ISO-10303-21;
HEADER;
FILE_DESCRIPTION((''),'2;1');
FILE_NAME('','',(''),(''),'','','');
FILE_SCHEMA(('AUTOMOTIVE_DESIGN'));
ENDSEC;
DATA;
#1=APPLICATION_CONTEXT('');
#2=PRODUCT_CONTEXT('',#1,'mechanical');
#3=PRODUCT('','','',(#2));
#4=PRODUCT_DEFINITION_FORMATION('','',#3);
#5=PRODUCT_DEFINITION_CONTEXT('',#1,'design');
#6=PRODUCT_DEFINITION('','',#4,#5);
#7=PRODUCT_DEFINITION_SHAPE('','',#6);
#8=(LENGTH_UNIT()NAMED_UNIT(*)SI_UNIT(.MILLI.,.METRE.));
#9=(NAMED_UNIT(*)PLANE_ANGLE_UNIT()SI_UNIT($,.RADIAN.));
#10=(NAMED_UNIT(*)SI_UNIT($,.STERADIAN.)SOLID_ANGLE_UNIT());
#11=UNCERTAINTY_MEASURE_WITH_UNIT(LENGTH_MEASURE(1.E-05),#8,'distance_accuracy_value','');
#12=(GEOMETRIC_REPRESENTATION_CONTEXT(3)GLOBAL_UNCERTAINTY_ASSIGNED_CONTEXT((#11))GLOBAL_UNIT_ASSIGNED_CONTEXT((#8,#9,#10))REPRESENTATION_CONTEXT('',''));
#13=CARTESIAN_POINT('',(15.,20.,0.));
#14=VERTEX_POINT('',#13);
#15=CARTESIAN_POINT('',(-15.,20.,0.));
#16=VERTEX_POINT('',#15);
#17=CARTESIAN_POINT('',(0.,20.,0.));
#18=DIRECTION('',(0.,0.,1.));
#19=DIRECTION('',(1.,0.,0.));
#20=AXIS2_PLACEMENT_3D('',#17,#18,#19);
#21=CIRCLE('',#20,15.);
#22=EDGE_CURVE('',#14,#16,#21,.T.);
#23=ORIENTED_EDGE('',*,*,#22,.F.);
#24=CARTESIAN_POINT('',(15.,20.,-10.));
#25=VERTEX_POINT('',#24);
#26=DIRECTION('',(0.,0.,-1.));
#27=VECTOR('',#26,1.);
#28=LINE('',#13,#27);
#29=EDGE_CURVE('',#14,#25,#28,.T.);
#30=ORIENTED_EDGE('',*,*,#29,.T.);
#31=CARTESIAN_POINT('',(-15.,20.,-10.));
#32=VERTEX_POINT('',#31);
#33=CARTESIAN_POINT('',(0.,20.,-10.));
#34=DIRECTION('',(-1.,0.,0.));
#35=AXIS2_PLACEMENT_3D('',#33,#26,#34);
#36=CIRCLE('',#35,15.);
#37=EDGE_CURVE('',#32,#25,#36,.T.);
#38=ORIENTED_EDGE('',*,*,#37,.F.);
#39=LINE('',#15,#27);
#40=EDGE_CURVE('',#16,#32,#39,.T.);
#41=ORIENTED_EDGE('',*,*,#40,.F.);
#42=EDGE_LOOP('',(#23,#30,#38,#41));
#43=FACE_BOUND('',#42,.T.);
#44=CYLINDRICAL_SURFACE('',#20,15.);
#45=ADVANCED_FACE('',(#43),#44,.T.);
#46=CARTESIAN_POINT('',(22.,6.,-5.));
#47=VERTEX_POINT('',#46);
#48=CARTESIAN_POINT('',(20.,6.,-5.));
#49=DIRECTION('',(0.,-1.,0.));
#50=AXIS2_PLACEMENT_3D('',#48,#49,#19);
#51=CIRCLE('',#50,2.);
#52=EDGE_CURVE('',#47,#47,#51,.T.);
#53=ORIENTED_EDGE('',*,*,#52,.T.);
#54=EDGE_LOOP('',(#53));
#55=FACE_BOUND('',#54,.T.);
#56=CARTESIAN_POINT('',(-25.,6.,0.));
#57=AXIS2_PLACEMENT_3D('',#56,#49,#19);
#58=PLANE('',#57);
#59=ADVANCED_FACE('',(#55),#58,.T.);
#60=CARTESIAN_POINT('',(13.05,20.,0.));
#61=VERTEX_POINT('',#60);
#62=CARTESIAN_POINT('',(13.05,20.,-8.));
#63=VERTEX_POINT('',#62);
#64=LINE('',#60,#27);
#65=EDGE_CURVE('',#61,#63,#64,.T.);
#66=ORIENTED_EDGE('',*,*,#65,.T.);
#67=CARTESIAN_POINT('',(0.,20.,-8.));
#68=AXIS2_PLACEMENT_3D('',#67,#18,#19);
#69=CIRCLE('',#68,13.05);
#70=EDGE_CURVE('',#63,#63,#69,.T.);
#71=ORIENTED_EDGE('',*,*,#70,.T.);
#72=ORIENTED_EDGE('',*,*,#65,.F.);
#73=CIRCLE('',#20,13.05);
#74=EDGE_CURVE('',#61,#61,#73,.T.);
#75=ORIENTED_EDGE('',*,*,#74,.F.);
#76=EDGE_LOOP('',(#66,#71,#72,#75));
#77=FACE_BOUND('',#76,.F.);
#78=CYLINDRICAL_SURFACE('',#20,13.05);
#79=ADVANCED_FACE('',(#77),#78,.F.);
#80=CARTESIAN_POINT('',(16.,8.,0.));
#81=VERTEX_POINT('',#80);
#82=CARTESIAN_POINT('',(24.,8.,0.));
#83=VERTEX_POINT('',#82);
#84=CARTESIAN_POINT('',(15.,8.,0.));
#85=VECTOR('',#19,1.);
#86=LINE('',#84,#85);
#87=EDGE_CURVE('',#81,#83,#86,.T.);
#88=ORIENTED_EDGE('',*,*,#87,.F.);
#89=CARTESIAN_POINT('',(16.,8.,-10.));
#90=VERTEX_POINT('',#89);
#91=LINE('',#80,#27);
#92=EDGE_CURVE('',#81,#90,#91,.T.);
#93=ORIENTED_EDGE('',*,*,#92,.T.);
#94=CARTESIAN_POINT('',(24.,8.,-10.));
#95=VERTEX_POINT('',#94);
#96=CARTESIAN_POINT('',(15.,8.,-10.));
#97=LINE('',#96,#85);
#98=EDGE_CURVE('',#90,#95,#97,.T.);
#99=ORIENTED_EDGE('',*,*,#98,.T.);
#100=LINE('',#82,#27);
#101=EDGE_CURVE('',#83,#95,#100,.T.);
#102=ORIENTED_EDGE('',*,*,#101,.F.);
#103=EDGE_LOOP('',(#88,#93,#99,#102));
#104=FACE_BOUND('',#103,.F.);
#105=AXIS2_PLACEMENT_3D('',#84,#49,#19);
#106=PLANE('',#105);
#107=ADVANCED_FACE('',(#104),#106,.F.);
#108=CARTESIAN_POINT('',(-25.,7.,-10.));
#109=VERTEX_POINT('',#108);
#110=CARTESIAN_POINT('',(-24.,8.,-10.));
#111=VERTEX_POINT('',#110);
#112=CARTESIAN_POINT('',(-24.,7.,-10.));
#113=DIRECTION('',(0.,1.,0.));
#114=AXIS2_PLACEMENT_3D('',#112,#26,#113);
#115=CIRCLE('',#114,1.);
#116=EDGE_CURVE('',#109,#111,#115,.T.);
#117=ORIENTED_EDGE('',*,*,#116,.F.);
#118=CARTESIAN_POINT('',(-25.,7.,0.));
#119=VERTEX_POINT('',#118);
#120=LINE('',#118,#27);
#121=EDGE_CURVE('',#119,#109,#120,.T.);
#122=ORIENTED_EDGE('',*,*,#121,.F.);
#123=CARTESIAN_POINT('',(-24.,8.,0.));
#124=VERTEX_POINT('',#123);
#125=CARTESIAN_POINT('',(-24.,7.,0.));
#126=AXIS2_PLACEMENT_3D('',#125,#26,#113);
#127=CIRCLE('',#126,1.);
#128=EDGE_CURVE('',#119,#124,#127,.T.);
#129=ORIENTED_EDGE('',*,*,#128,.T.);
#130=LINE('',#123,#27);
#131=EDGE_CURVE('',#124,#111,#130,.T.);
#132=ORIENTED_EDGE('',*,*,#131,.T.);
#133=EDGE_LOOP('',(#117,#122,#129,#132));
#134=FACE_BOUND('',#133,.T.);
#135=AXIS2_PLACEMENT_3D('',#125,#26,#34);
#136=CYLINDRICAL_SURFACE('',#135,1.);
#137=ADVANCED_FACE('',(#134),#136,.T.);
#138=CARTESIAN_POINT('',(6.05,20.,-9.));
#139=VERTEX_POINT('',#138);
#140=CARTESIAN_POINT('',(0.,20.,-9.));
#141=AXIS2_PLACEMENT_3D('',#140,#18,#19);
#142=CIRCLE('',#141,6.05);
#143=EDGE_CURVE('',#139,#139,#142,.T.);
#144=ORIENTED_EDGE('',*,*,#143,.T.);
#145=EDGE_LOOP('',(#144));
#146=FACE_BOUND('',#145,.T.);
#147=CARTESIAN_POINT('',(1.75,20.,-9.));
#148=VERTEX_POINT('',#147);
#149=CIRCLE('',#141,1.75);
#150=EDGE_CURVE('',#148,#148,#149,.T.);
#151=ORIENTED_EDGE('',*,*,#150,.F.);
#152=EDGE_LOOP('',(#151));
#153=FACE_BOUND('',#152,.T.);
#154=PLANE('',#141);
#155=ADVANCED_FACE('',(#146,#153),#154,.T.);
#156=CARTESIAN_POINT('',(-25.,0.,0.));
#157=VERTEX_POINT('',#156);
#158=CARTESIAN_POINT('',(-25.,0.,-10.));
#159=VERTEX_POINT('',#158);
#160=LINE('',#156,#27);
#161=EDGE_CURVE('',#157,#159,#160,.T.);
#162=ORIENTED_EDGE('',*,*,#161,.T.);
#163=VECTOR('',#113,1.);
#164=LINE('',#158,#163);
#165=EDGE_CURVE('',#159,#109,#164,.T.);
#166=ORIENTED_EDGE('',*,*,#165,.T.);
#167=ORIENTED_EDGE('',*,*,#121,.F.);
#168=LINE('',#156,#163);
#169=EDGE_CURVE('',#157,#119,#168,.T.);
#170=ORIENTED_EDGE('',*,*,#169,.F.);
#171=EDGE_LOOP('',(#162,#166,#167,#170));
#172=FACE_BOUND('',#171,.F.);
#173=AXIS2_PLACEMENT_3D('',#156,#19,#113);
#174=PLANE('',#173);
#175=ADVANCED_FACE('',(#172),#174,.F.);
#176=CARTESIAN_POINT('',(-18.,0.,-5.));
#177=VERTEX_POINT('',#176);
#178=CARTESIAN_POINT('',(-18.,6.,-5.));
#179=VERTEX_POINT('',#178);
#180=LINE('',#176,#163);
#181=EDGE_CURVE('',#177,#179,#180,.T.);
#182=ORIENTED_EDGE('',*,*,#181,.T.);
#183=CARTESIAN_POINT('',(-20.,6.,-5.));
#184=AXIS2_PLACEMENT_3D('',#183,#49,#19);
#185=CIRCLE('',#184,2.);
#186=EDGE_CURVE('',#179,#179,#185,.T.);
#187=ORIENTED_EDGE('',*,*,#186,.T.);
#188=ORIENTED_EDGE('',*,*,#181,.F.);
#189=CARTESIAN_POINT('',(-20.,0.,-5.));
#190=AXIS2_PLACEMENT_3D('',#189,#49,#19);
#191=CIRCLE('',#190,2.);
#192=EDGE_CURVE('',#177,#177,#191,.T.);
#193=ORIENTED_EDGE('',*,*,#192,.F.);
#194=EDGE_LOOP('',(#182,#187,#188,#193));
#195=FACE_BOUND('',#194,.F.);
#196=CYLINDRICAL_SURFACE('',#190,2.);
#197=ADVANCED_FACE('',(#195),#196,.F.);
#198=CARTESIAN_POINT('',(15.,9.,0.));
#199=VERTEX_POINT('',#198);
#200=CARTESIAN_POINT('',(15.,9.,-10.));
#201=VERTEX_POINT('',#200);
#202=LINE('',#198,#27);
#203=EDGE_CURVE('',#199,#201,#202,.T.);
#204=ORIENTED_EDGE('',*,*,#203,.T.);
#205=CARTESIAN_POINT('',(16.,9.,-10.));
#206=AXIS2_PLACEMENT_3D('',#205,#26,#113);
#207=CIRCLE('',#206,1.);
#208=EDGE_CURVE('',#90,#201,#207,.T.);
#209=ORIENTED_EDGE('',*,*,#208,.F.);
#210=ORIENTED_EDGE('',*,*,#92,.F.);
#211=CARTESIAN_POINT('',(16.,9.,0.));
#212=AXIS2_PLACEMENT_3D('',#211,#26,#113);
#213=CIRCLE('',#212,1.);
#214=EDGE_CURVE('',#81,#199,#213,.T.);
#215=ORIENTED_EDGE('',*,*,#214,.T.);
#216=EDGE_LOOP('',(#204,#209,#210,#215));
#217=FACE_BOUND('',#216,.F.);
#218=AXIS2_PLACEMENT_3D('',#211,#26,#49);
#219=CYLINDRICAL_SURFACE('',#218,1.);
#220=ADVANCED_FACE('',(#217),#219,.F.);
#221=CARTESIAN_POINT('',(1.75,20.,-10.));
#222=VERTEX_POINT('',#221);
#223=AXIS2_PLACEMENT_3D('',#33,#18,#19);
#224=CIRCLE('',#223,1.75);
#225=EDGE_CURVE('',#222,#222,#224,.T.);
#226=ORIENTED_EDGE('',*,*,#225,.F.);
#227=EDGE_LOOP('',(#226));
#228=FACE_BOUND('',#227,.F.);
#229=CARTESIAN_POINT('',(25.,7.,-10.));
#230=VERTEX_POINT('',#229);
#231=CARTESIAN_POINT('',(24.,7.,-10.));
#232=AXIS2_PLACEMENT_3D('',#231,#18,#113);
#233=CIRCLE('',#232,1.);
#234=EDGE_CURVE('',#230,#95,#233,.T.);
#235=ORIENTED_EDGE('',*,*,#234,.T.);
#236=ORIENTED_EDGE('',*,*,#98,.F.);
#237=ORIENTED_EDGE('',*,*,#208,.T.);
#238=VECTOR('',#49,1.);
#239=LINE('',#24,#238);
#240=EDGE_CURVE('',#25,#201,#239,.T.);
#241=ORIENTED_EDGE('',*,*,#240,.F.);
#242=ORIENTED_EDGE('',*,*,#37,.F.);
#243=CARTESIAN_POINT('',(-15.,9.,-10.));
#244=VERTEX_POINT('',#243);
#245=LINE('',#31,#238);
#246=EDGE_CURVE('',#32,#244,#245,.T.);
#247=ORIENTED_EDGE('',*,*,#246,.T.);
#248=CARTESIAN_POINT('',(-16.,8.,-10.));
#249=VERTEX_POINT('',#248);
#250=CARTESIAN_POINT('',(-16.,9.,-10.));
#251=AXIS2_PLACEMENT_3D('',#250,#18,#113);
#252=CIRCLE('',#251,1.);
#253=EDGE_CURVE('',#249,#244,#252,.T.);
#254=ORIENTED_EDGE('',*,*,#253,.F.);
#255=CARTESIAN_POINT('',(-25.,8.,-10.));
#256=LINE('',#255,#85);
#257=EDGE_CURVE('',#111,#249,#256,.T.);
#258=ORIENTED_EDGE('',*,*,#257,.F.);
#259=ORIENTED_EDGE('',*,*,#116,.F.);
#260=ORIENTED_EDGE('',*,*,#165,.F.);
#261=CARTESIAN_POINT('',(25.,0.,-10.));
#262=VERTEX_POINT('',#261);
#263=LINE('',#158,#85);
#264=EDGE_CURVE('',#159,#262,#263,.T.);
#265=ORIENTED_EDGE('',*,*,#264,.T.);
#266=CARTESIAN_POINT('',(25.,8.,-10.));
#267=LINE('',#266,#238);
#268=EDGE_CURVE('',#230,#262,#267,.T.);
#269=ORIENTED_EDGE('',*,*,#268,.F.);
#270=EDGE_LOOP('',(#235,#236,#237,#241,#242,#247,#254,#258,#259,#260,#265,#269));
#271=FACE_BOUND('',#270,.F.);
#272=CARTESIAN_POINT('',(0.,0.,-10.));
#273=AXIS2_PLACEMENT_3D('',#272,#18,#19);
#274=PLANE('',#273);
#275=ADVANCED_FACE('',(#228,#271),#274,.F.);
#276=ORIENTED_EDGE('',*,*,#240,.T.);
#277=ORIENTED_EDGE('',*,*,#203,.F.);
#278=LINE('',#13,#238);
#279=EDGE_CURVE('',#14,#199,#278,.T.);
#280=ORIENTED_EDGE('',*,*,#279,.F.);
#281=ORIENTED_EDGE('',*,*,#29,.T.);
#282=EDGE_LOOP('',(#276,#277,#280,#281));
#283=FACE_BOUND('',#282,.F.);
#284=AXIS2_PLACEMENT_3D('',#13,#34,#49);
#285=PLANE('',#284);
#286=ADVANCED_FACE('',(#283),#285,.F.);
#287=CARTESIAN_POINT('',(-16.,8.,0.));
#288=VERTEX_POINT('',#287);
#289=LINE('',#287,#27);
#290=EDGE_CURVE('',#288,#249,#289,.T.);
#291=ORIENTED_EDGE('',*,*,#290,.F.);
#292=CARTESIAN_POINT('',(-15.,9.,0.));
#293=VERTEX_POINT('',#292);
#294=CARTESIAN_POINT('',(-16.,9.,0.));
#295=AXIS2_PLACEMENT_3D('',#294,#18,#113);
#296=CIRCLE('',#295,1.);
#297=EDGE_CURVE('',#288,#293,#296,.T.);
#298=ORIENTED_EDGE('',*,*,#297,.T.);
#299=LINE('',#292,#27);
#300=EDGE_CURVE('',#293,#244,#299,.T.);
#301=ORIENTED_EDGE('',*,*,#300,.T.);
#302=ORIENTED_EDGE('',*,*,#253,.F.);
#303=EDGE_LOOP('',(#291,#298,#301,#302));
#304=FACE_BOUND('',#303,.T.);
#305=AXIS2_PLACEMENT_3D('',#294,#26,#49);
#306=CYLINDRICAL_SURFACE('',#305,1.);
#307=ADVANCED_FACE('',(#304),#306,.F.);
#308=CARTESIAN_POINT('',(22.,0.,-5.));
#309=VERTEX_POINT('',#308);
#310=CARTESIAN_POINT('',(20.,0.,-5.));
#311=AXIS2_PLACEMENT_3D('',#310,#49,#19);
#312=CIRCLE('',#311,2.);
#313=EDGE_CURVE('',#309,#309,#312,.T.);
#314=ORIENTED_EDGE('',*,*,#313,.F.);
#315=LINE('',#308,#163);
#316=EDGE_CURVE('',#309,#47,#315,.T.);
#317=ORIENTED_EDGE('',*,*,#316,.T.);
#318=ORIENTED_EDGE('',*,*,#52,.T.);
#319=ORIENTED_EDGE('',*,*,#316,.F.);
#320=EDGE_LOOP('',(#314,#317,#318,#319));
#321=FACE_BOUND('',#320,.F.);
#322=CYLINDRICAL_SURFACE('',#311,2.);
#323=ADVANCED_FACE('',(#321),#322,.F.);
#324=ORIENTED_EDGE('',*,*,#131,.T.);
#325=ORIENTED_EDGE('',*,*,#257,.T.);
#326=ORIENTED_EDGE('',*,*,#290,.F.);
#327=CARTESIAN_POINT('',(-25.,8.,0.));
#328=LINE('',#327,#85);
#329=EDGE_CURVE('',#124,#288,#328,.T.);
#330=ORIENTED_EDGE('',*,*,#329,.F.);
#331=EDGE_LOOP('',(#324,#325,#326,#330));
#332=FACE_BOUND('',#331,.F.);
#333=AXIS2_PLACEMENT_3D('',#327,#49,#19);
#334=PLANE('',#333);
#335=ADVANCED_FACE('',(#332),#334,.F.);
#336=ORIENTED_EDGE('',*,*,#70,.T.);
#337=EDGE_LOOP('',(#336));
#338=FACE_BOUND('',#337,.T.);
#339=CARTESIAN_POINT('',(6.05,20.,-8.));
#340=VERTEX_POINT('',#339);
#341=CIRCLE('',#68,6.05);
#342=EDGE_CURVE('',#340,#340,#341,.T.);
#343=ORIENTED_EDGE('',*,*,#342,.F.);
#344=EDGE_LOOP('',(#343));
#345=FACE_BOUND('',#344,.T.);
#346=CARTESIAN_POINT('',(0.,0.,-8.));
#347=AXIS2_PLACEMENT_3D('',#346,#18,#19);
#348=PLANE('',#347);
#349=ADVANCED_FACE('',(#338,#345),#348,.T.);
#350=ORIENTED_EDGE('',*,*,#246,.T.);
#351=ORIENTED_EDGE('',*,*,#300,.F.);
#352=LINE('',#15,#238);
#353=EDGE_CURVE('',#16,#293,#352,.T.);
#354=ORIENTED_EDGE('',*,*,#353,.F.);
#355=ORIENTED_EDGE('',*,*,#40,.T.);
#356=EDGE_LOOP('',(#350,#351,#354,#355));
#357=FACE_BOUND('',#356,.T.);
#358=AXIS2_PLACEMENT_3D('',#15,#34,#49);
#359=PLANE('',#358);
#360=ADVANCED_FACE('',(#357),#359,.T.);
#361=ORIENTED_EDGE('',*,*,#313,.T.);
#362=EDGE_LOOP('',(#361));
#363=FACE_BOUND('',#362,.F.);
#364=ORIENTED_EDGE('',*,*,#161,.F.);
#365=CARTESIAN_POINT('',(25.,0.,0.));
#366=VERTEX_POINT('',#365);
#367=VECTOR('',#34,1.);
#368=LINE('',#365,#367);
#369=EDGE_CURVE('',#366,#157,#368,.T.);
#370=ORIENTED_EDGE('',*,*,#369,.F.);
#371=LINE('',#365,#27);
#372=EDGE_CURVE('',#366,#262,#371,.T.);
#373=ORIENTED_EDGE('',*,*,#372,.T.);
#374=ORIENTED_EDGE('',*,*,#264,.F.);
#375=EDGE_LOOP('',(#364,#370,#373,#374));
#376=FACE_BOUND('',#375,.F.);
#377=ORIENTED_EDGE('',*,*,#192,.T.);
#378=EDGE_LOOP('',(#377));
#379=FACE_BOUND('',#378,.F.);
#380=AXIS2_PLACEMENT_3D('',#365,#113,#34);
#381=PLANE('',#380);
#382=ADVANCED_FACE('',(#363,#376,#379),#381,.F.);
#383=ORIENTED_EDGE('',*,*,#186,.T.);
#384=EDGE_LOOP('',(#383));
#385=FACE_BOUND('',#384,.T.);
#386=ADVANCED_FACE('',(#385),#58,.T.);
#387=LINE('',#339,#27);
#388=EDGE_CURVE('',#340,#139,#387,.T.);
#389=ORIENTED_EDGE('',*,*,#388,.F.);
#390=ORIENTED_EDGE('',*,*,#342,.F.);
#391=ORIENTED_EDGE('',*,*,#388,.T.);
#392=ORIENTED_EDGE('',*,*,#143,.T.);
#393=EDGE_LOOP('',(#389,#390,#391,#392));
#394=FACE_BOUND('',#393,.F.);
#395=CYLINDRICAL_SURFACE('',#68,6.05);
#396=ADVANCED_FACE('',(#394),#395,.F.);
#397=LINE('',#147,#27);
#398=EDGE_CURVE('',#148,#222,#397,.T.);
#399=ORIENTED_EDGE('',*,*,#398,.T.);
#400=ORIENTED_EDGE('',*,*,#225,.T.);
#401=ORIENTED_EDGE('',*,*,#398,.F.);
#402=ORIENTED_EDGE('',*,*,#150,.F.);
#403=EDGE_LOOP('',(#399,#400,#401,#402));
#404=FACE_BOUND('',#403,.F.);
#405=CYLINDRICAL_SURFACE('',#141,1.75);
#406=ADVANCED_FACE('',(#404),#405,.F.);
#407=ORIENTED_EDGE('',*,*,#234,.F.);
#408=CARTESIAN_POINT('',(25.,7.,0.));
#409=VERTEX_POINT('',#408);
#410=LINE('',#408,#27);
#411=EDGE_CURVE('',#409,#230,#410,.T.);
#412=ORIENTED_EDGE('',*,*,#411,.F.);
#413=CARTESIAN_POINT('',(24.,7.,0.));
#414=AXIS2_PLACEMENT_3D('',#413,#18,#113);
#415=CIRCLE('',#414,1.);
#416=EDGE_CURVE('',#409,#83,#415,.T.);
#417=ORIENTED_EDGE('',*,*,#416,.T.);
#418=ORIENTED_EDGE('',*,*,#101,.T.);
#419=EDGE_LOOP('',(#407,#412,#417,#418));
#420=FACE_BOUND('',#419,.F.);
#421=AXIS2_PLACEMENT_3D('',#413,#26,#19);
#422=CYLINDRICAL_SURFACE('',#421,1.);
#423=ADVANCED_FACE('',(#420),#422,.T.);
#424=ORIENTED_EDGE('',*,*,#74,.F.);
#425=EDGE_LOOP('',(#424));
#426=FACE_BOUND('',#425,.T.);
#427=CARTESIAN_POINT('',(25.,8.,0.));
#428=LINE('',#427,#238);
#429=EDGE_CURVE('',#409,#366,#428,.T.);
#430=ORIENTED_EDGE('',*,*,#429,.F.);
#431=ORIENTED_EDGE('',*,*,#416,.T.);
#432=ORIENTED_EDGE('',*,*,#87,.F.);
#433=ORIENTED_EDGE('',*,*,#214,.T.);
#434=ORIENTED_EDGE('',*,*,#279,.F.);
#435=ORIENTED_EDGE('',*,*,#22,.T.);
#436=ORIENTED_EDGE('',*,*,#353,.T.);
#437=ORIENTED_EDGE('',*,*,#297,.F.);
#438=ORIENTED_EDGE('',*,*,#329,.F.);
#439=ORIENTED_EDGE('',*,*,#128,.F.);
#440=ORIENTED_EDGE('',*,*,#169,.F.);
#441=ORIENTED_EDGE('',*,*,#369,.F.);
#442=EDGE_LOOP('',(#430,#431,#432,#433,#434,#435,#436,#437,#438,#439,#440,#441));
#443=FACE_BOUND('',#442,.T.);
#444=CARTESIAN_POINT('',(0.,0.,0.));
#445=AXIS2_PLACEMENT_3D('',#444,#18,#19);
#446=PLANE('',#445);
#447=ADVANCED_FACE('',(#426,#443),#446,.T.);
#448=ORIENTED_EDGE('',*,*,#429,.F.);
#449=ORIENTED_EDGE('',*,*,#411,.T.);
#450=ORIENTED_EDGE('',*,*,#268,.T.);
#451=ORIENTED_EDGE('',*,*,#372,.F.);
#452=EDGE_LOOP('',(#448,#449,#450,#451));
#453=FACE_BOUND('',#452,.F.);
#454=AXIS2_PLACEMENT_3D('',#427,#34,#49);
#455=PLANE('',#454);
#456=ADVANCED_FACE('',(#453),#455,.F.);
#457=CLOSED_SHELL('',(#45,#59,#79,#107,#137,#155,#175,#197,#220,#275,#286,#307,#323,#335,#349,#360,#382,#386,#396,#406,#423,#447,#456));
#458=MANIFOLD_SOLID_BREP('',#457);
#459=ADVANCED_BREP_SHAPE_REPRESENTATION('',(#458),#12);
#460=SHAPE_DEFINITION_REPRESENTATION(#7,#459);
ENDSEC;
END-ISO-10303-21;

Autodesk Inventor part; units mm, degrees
ref_plane "YZ Plane" through (0, 0, 0) normal (1, 0, 0) x (0, 1, 0)
ref_plane "XZ Plane" through (0, 0, 0) normal (0, 1, 0) x (-1, 0, 0)
ref_plane "XY Plane" through (0, 0, 0) normal (0, 0, 1) x (1, 0, 0)
sketch "Sketch2" plane through (0, 0, 0) normal (0, 0, 1) x (1, 0, 0)
  line L0 (25, 8) -> (25, 0)
  line L1 (25, 0) -> (-25, 0)
  line L2 (-25, 0) -> (-25, 8)
  line L3 (0, -7) -> (0, 42) projected
  arc A0 (15, 20) -> (-15, 20) centre (0, 20) ccw
  line L4 (0, 42) -> (0, -7) projected
  line L5 (-15, 20) -> (-15, 8)
  line L6 (15, 20) -> (15, 8)
  line L7 (-35, 0) -> (35, 0) projected
  line L8 (-25, 8) -> (-15, 8)
  line L9 (15, 8) -> (25, 8)
  point P0 (0, 0)
  dimension "d4" = 50
  dimension "d6" = 20
  dimension "d7" = 30
  dimension "d8" = 8
  dimension "d9" = 8
extrude "Extrusion2" add sketch "Sketch2" against normal blind 10
sketch "Sketch3" plane through (0, 0, 0) normal (0, 0, 1) x (1, 0, 0)
  arc A0 (15, 20) -> (-15, 20) centre (0, 20) ccw projected
  circle A1 centre (0, 20) radius 13.05
  point P0 (0, 0)
  dimension "d12" = 26.1
extrude "Extrusion3" cut sketch "Sketch3" against normal blind 8
sketch "Sketch4" plane through (0, 20, -8) normal (0, 0, 1) x (1, 0, 0)
  circle A0 centre (0, 0) radius 6.05
  point P0 (0, -20)
  dimension "d15" = 12.1
extrude "Extrusion4" cut sketch "Sketch4" against normal blind 1
sketch "Sketch5" plane through (0, 20, -9) normal (0, 0, 1) x (1, 0, 0)
  circle A0 centre (0, 0) radius 1.75
  point P0 (0, -20)
  dimension "d18" = 3.5
extrude "Extrusion5" cut sketch "Sketch5" against normal blind 1
sketch "Sketch6" plane through (-25, 0, 0) normal (0, -1, 0) x (1, 0, 0)
  circle A0 centre (5, -5) radius 2
  circle A1 centre (45, -5) radius 2
  line L0 (25, -12) -> (25, 2) projected
  line L1 (50, -10) -> (0, -10) projected
  point P0 (25, 0)
  dimension "d21" = 4
  dimension "d22" = 40
  dimension "d23" = 5
extrude "Extrusion6" cut sketch "Sketch6" against normal blind 6
fillet "Fillet1" radius 1 4 edges at (-15, 8, -5) (-25, 8, -5) (15, 8, -5) (25, 8, -5)
properties part number "sg_motor_mount"
